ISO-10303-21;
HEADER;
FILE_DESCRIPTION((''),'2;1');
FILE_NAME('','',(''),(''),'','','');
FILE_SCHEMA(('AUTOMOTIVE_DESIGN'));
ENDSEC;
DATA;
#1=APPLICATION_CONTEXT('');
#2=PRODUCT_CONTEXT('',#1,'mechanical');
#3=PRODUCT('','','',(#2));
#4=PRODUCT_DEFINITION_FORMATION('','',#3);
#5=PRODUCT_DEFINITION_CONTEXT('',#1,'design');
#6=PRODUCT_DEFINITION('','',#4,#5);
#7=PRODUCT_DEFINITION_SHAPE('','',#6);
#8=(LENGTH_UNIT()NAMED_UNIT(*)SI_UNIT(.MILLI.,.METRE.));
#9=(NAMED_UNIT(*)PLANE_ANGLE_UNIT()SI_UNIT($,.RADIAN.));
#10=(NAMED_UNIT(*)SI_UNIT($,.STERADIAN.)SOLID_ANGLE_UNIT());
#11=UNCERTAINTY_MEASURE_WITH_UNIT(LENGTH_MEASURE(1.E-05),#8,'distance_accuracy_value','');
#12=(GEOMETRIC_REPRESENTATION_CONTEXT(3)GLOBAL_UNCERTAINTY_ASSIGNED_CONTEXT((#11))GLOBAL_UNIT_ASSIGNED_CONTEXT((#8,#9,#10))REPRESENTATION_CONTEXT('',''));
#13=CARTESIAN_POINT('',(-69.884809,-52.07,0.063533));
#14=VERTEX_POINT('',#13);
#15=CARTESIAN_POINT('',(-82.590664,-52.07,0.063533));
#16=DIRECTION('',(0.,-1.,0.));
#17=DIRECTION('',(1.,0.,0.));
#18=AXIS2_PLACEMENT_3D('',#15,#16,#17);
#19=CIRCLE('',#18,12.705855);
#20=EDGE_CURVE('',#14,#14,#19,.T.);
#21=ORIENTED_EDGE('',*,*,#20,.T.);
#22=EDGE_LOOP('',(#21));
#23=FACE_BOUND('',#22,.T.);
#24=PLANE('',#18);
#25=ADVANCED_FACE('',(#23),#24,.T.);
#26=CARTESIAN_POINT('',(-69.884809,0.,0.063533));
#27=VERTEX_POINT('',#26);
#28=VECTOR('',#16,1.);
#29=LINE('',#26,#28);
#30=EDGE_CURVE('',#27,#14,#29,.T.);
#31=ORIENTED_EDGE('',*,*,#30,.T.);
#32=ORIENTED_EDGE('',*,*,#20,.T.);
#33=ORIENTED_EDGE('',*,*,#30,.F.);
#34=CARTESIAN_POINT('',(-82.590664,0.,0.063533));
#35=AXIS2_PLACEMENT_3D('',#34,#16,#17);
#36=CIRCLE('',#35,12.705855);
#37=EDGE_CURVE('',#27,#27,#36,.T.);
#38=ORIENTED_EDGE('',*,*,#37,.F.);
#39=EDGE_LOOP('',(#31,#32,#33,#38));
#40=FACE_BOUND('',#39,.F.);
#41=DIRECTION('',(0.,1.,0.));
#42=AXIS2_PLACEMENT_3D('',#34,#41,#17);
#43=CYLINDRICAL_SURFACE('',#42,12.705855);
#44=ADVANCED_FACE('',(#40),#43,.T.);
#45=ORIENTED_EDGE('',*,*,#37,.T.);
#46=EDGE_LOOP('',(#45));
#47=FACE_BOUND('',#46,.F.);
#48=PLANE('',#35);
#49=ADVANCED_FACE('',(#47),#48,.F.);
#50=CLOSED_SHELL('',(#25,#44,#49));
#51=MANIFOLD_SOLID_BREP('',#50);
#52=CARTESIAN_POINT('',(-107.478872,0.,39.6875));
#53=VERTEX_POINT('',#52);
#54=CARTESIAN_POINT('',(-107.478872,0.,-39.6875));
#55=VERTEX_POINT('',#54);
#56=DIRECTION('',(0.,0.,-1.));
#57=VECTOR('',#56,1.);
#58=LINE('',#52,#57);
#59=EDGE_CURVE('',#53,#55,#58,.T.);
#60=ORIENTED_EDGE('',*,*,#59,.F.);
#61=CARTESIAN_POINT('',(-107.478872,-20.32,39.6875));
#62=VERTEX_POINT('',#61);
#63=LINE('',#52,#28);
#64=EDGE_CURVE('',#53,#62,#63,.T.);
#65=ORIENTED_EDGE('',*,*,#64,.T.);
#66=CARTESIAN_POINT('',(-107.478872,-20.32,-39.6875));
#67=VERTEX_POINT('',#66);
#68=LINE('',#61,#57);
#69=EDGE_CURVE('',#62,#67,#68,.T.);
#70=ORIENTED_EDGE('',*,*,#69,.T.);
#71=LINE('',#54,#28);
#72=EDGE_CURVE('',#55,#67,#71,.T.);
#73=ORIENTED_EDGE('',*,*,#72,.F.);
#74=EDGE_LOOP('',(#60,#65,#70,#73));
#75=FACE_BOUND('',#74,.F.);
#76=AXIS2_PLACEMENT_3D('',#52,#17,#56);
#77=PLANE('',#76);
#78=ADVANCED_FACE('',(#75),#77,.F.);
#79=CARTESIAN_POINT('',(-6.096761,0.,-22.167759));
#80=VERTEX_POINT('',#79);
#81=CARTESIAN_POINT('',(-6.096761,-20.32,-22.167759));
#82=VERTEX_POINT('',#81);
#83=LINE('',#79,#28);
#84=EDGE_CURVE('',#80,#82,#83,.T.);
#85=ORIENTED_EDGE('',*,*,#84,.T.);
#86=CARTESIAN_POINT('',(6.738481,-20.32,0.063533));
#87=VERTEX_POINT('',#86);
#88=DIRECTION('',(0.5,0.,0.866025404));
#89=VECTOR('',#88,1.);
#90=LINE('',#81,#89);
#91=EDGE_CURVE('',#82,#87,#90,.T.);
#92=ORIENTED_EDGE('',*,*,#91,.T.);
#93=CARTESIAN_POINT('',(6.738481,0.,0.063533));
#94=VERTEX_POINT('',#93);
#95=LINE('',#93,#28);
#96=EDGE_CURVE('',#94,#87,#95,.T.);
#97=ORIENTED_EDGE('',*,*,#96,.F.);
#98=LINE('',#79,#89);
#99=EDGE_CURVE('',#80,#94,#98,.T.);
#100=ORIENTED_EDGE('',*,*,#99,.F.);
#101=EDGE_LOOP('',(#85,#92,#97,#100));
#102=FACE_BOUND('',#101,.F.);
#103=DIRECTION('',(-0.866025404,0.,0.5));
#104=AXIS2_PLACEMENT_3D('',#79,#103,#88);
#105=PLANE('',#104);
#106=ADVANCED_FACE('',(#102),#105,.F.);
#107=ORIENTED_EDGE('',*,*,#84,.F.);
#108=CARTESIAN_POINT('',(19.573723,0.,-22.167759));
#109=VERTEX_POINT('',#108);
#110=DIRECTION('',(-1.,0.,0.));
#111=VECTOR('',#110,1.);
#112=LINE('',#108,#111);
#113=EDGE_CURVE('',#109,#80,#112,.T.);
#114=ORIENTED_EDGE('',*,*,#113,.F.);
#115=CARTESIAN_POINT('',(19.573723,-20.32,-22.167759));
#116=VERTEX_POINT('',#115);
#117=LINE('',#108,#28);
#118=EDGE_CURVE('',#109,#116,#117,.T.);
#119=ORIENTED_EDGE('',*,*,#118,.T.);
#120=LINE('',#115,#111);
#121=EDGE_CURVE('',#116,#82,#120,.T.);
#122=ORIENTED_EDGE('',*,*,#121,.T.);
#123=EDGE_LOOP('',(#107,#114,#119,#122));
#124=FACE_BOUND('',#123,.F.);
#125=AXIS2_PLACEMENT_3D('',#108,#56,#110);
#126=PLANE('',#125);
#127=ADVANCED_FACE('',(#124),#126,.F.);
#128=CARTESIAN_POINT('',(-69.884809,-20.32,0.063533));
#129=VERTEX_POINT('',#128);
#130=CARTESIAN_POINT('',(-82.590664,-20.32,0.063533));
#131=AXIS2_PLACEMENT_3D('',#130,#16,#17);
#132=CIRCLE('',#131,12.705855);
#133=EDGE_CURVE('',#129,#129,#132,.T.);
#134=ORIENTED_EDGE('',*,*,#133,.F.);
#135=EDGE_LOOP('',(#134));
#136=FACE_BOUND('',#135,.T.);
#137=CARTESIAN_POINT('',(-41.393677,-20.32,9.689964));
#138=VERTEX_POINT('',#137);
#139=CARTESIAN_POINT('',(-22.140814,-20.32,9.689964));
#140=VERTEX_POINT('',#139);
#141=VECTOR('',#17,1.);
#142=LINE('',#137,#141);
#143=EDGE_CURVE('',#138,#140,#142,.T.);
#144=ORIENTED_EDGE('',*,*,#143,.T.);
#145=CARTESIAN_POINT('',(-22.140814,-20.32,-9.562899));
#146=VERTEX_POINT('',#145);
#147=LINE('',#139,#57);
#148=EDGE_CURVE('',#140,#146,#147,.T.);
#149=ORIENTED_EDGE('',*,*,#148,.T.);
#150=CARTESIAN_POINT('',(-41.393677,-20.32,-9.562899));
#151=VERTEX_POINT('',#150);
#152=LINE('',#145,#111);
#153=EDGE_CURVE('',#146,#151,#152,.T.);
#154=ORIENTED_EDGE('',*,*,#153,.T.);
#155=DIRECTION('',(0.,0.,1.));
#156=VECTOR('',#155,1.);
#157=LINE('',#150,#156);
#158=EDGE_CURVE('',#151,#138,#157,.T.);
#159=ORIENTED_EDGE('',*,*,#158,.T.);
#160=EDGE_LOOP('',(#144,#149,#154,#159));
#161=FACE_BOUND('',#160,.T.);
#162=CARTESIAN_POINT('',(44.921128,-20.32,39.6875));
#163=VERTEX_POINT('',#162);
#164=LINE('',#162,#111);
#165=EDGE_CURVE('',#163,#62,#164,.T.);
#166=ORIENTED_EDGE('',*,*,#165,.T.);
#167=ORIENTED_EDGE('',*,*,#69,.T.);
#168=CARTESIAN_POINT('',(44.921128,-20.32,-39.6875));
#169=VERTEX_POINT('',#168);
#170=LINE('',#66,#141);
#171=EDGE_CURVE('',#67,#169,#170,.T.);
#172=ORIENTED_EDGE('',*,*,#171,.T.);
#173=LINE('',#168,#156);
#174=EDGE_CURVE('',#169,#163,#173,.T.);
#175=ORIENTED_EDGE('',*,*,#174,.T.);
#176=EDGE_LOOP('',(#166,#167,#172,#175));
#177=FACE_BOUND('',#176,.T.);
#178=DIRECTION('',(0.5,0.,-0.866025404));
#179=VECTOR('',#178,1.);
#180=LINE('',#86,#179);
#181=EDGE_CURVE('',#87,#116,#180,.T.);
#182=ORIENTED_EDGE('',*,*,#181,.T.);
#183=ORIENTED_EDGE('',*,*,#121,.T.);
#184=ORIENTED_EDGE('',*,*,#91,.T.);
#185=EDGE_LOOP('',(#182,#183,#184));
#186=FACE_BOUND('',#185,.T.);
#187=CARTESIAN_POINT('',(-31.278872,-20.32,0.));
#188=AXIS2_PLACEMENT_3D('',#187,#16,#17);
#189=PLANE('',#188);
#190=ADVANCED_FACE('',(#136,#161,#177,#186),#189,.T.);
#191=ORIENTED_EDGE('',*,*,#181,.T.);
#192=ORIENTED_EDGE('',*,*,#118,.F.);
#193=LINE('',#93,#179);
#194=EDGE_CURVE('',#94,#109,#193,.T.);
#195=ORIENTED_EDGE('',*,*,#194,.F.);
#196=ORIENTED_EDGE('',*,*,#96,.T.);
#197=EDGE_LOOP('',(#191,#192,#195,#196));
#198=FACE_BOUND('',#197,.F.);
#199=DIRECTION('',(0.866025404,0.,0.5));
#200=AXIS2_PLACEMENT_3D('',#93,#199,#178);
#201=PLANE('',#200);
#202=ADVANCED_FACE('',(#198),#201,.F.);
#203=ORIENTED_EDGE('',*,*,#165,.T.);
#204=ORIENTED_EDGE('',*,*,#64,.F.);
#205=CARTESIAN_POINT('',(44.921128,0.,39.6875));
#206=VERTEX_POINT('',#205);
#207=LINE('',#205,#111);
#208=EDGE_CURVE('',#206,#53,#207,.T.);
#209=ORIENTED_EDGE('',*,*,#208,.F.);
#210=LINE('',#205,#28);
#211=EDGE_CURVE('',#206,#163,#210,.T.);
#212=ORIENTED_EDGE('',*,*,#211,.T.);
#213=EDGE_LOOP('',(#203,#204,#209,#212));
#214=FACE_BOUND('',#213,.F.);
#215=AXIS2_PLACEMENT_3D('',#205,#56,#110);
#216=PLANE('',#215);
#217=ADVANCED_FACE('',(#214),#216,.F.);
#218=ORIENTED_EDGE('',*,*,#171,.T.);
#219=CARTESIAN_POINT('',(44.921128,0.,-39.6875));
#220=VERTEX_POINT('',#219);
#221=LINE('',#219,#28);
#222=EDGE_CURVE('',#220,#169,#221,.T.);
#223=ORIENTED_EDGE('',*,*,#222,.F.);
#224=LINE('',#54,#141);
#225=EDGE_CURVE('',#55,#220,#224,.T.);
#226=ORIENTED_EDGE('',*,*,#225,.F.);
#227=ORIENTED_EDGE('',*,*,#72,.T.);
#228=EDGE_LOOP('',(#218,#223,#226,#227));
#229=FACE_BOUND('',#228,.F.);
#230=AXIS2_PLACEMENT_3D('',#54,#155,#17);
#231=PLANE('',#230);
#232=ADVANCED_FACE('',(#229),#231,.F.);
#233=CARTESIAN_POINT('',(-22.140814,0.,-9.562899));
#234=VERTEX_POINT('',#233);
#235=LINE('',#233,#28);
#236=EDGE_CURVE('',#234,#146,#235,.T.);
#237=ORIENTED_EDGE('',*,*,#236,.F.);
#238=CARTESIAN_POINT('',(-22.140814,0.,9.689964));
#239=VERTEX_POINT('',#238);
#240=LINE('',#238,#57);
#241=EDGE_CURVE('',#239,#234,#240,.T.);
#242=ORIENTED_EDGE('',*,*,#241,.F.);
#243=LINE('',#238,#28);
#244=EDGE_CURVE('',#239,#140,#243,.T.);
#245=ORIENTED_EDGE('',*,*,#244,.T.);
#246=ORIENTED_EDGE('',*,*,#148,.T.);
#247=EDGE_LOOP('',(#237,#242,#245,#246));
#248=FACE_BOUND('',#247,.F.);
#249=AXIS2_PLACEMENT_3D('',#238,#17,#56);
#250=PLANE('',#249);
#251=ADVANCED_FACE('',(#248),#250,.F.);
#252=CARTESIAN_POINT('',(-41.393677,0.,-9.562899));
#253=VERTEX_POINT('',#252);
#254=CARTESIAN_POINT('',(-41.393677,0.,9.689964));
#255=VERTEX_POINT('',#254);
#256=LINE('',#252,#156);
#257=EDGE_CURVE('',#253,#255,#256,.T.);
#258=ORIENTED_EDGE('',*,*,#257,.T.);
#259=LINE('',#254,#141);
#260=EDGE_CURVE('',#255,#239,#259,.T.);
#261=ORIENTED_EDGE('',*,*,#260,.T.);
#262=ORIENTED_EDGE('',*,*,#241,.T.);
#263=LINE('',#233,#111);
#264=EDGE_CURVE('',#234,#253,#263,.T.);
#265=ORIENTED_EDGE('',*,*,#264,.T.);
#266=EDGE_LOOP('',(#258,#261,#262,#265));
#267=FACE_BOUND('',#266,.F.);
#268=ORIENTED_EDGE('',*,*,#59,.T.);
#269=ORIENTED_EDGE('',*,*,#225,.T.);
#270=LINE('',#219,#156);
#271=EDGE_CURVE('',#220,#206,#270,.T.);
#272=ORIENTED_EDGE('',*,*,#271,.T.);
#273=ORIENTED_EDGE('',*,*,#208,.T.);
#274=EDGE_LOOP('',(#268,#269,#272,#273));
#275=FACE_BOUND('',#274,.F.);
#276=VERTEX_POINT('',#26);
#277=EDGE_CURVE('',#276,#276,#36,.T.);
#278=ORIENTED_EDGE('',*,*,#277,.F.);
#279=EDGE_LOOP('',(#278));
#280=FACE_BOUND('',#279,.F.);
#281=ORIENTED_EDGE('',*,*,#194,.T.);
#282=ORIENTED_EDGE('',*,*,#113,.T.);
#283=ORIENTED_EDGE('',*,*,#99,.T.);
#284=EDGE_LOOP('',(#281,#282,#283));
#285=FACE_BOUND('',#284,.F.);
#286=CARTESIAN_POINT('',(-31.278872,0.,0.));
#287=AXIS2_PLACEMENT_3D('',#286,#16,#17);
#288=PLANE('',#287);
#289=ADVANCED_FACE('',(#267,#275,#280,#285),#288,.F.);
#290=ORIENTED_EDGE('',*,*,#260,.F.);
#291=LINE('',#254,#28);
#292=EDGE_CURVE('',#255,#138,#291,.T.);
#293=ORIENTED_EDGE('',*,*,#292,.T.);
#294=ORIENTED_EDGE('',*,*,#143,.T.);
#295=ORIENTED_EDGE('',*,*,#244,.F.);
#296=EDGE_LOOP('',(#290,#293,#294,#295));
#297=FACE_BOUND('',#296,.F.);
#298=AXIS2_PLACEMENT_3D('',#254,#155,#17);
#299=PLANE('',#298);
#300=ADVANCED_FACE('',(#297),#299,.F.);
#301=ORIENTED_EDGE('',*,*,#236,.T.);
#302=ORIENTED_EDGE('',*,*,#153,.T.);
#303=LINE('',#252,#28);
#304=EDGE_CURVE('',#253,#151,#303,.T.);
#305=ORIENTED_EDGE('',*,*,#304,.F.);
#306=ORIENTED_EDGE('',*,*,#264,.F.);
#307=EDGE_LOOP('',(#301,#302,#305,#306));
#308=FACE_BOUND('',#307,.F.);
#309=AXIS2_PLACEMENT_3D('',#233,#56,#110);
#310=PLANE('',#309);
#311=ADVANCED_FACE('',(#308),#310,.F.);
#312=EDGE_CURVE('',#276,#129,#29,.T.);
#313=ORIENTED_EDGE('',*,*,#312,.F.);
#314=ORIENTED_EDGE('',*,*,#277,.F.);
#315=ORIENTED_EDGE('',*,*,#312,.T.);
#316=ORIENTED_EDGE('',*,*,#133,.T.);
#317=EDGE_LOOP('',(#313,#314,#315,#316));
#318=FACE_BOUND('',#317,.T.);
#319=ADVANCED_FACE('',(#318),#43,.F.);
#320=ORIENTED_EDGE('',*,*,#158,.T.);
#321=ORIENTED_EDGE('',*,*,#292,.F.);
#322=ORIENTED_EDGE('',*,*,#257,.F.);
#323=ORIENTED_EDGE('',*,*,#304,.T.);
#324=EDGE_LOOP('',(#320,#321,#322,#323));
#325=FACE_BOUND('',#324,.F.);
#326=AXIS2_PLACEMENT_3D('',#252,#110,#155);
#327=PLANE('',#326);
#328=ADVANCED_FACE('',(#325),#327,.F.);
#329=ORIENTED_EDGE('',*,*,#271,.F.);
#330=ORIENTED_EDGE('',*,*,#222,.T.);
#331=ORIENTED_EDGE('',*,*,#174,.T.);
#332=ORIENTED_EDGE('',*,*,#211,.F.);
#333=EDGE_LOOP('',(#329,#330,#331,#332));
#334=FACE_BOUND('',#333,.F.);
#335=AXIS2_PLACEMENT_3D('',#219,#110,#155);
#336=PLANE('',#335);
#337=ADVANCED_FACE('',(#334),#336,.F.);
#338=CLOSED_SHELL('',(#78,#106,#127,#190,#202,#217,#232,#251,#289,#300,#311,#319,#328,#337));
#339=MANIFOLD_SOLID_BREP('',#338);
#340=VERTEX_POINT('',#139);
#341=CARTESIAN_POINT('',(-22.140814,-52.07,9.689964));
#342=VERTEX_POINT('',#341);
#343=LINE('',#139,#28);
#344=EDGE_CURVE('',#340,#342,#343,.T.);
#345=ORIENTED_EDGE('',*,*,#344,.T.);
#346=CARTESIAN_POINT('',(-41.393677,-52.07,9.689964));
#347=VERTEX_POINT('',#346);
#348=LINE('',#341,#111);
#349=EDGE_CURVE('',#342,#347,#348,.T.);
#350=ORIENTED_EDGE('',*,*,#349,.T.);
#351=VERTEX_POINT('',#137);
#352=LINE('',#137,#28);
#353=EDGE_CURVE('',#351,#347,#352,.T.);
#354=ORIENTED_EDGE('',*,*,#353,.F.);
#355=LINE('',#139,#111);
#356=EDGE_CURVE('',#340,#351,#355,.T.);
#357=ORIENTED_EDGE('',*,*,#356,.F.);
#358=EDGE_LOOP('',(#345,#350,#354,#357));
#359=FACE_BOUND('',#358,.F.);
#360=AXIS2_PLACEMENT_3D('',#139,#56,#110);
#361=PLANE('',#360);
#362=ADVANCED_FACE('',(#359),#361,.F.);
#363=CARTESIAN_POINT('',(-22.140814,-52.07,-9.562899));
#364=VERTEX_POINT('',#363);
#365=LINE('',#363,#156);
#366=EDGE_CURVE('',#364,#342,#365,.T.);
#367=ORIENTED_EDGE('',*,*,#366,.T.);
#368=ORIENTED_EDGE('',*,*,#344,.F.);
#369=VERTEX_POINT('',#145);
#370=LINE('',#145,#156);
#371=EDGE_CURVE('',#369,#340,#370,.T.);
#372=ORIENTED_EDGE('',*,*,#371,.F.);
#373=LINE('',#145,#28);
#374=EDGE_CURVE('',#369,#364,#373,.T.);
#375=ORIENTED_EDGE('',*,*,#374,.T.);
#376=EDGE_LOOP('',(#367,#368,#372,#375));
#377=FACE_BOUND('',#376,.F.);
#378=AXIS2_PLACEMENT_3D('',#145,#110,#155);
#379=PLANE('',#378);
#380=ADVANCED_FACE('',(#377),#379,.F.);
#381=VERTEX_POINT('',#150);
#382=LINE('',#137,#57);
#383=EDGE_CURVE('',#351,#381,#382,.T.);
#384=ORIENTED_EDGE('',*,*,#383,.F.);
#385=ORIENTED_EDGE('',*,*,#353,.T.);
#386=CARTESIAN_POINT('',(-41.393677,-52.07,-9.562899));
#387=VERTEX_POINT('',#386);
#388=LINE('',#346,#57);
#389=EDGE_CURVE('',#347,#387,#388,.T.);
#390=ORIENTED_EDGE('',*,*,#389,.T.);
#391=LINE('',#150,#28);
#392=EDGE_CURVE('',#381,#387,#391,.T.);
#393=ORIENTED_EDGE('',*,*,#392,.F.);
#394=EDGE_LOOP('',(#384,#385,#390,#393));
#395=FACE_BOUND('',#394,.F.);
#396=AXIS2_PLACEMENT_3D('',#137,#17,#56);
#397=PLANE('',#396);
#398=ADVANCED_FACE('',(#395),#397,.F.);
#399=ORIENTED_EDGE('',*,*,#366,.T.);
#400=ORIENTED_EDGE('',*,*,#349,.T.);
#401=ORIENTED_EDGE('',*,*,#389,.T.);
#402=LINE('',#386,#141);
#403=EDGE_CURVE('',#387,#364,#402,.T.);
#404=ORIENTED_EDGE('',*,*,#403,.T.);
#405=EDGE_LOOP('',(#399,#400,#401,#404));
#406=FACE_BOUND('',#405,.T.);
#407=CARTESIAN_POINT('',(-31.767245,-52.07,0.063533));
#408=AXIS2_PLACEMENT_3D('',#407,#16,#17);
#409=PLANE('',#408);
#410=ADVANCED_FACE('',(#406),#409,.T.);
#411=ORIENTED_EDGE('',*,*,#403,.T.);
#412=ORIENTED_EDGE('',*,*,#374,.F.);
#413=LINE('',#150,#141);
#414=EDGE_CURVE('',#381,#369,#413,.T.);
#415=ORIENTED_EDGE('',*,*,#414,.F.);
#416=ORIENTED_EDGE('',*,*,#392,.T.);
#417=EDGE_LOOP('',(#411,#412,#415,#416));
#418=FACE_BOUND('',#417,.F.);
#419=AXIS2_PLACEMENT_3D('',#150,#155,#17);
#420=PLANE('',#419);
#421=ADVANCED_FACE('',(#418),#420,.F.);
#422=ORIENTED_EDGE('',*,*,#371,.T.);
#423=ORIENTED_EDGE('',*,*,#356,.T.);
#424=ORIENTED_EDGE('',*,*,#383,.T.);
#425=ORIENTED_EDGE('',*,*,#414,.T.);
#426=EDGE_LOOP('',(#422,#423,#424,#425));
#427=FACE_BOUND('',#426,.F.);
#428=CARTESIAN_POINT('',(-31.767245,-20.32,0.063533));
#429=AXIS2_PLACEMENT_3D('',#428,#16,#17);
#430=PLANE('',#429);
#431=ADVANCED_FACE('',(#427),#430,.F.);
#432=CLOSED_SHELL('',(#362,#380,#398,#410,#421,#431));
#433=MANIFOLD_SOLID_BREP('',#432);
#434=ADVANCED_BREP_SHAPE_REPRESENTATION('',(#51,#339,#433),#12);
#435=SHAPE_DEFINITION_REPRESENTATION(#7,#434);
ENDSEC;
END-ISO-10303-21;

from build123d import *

# Parameters (mm, degrees)
F0_R     = 12.705854617
F1_DEPTH = 20.32
F2_DEPTH = 52.07
F3_START = 20.32
F3_DEPTH = 31.75


with BuildPart() as f1:
    # F0 (on Front) → F1 (new body)
    with BuildSketch(Plane.XZ):
        Polygon((44.9211280584, -39.6875), (44.9211280584, 0), (44.9211280584, 39.6875), (-107.4788719416, 39.6875), (-107.4788719416, -39.6875), align=None)
        Polygon((-6.0967609561, -22.1677589062), (6.738481146, 0.0635325421), (19.5737232482, -22.1677589062), align=None, mode=Mode.SUBTRACT)
        with Locations((-82.5906636285, 0.0635325421)):
            Circle(F0_R, mode=Mode.SUBTRACT)
        Polygon((-41.3936767371, 9.6899641188), (-30.4837209502, 9.6899641188), (-22.1408135838, 9.6899641188), (-22.1408135838, -9.5628990345), (-41.3936767371, -9.5628990345), align=None, mode=Mode.SUBTRACT)
    extrude(amount=F1_DEPTH)


with BuildPart() as f2:
    # F0 (on Front) → F2 (new body)
    with BuildSketch(Plane.XZ):
        with Locations((-82.5906636285, 0.0635325421)):
            Circle(F0_R)
    extrude(amount=F2_DEPTH)


with BuildPart() as f3:
    # F0 (on Front) → F3 (new body)
    with BuildSketch(Plane.XZ.offset(F3_START)):
        Polygon((-22.1408135838, 9.6899641188), (-30.4837209502, 9.6899641188), (-41.3936767371, 9.6899641188), (-41.3936767371, -9.5628990345), (-22.1408135838, -9.5628990345), align=None)
    extrude(amount=F3_DEPTH)


solid = Compound([f1.part, f2.part, f3.part])
